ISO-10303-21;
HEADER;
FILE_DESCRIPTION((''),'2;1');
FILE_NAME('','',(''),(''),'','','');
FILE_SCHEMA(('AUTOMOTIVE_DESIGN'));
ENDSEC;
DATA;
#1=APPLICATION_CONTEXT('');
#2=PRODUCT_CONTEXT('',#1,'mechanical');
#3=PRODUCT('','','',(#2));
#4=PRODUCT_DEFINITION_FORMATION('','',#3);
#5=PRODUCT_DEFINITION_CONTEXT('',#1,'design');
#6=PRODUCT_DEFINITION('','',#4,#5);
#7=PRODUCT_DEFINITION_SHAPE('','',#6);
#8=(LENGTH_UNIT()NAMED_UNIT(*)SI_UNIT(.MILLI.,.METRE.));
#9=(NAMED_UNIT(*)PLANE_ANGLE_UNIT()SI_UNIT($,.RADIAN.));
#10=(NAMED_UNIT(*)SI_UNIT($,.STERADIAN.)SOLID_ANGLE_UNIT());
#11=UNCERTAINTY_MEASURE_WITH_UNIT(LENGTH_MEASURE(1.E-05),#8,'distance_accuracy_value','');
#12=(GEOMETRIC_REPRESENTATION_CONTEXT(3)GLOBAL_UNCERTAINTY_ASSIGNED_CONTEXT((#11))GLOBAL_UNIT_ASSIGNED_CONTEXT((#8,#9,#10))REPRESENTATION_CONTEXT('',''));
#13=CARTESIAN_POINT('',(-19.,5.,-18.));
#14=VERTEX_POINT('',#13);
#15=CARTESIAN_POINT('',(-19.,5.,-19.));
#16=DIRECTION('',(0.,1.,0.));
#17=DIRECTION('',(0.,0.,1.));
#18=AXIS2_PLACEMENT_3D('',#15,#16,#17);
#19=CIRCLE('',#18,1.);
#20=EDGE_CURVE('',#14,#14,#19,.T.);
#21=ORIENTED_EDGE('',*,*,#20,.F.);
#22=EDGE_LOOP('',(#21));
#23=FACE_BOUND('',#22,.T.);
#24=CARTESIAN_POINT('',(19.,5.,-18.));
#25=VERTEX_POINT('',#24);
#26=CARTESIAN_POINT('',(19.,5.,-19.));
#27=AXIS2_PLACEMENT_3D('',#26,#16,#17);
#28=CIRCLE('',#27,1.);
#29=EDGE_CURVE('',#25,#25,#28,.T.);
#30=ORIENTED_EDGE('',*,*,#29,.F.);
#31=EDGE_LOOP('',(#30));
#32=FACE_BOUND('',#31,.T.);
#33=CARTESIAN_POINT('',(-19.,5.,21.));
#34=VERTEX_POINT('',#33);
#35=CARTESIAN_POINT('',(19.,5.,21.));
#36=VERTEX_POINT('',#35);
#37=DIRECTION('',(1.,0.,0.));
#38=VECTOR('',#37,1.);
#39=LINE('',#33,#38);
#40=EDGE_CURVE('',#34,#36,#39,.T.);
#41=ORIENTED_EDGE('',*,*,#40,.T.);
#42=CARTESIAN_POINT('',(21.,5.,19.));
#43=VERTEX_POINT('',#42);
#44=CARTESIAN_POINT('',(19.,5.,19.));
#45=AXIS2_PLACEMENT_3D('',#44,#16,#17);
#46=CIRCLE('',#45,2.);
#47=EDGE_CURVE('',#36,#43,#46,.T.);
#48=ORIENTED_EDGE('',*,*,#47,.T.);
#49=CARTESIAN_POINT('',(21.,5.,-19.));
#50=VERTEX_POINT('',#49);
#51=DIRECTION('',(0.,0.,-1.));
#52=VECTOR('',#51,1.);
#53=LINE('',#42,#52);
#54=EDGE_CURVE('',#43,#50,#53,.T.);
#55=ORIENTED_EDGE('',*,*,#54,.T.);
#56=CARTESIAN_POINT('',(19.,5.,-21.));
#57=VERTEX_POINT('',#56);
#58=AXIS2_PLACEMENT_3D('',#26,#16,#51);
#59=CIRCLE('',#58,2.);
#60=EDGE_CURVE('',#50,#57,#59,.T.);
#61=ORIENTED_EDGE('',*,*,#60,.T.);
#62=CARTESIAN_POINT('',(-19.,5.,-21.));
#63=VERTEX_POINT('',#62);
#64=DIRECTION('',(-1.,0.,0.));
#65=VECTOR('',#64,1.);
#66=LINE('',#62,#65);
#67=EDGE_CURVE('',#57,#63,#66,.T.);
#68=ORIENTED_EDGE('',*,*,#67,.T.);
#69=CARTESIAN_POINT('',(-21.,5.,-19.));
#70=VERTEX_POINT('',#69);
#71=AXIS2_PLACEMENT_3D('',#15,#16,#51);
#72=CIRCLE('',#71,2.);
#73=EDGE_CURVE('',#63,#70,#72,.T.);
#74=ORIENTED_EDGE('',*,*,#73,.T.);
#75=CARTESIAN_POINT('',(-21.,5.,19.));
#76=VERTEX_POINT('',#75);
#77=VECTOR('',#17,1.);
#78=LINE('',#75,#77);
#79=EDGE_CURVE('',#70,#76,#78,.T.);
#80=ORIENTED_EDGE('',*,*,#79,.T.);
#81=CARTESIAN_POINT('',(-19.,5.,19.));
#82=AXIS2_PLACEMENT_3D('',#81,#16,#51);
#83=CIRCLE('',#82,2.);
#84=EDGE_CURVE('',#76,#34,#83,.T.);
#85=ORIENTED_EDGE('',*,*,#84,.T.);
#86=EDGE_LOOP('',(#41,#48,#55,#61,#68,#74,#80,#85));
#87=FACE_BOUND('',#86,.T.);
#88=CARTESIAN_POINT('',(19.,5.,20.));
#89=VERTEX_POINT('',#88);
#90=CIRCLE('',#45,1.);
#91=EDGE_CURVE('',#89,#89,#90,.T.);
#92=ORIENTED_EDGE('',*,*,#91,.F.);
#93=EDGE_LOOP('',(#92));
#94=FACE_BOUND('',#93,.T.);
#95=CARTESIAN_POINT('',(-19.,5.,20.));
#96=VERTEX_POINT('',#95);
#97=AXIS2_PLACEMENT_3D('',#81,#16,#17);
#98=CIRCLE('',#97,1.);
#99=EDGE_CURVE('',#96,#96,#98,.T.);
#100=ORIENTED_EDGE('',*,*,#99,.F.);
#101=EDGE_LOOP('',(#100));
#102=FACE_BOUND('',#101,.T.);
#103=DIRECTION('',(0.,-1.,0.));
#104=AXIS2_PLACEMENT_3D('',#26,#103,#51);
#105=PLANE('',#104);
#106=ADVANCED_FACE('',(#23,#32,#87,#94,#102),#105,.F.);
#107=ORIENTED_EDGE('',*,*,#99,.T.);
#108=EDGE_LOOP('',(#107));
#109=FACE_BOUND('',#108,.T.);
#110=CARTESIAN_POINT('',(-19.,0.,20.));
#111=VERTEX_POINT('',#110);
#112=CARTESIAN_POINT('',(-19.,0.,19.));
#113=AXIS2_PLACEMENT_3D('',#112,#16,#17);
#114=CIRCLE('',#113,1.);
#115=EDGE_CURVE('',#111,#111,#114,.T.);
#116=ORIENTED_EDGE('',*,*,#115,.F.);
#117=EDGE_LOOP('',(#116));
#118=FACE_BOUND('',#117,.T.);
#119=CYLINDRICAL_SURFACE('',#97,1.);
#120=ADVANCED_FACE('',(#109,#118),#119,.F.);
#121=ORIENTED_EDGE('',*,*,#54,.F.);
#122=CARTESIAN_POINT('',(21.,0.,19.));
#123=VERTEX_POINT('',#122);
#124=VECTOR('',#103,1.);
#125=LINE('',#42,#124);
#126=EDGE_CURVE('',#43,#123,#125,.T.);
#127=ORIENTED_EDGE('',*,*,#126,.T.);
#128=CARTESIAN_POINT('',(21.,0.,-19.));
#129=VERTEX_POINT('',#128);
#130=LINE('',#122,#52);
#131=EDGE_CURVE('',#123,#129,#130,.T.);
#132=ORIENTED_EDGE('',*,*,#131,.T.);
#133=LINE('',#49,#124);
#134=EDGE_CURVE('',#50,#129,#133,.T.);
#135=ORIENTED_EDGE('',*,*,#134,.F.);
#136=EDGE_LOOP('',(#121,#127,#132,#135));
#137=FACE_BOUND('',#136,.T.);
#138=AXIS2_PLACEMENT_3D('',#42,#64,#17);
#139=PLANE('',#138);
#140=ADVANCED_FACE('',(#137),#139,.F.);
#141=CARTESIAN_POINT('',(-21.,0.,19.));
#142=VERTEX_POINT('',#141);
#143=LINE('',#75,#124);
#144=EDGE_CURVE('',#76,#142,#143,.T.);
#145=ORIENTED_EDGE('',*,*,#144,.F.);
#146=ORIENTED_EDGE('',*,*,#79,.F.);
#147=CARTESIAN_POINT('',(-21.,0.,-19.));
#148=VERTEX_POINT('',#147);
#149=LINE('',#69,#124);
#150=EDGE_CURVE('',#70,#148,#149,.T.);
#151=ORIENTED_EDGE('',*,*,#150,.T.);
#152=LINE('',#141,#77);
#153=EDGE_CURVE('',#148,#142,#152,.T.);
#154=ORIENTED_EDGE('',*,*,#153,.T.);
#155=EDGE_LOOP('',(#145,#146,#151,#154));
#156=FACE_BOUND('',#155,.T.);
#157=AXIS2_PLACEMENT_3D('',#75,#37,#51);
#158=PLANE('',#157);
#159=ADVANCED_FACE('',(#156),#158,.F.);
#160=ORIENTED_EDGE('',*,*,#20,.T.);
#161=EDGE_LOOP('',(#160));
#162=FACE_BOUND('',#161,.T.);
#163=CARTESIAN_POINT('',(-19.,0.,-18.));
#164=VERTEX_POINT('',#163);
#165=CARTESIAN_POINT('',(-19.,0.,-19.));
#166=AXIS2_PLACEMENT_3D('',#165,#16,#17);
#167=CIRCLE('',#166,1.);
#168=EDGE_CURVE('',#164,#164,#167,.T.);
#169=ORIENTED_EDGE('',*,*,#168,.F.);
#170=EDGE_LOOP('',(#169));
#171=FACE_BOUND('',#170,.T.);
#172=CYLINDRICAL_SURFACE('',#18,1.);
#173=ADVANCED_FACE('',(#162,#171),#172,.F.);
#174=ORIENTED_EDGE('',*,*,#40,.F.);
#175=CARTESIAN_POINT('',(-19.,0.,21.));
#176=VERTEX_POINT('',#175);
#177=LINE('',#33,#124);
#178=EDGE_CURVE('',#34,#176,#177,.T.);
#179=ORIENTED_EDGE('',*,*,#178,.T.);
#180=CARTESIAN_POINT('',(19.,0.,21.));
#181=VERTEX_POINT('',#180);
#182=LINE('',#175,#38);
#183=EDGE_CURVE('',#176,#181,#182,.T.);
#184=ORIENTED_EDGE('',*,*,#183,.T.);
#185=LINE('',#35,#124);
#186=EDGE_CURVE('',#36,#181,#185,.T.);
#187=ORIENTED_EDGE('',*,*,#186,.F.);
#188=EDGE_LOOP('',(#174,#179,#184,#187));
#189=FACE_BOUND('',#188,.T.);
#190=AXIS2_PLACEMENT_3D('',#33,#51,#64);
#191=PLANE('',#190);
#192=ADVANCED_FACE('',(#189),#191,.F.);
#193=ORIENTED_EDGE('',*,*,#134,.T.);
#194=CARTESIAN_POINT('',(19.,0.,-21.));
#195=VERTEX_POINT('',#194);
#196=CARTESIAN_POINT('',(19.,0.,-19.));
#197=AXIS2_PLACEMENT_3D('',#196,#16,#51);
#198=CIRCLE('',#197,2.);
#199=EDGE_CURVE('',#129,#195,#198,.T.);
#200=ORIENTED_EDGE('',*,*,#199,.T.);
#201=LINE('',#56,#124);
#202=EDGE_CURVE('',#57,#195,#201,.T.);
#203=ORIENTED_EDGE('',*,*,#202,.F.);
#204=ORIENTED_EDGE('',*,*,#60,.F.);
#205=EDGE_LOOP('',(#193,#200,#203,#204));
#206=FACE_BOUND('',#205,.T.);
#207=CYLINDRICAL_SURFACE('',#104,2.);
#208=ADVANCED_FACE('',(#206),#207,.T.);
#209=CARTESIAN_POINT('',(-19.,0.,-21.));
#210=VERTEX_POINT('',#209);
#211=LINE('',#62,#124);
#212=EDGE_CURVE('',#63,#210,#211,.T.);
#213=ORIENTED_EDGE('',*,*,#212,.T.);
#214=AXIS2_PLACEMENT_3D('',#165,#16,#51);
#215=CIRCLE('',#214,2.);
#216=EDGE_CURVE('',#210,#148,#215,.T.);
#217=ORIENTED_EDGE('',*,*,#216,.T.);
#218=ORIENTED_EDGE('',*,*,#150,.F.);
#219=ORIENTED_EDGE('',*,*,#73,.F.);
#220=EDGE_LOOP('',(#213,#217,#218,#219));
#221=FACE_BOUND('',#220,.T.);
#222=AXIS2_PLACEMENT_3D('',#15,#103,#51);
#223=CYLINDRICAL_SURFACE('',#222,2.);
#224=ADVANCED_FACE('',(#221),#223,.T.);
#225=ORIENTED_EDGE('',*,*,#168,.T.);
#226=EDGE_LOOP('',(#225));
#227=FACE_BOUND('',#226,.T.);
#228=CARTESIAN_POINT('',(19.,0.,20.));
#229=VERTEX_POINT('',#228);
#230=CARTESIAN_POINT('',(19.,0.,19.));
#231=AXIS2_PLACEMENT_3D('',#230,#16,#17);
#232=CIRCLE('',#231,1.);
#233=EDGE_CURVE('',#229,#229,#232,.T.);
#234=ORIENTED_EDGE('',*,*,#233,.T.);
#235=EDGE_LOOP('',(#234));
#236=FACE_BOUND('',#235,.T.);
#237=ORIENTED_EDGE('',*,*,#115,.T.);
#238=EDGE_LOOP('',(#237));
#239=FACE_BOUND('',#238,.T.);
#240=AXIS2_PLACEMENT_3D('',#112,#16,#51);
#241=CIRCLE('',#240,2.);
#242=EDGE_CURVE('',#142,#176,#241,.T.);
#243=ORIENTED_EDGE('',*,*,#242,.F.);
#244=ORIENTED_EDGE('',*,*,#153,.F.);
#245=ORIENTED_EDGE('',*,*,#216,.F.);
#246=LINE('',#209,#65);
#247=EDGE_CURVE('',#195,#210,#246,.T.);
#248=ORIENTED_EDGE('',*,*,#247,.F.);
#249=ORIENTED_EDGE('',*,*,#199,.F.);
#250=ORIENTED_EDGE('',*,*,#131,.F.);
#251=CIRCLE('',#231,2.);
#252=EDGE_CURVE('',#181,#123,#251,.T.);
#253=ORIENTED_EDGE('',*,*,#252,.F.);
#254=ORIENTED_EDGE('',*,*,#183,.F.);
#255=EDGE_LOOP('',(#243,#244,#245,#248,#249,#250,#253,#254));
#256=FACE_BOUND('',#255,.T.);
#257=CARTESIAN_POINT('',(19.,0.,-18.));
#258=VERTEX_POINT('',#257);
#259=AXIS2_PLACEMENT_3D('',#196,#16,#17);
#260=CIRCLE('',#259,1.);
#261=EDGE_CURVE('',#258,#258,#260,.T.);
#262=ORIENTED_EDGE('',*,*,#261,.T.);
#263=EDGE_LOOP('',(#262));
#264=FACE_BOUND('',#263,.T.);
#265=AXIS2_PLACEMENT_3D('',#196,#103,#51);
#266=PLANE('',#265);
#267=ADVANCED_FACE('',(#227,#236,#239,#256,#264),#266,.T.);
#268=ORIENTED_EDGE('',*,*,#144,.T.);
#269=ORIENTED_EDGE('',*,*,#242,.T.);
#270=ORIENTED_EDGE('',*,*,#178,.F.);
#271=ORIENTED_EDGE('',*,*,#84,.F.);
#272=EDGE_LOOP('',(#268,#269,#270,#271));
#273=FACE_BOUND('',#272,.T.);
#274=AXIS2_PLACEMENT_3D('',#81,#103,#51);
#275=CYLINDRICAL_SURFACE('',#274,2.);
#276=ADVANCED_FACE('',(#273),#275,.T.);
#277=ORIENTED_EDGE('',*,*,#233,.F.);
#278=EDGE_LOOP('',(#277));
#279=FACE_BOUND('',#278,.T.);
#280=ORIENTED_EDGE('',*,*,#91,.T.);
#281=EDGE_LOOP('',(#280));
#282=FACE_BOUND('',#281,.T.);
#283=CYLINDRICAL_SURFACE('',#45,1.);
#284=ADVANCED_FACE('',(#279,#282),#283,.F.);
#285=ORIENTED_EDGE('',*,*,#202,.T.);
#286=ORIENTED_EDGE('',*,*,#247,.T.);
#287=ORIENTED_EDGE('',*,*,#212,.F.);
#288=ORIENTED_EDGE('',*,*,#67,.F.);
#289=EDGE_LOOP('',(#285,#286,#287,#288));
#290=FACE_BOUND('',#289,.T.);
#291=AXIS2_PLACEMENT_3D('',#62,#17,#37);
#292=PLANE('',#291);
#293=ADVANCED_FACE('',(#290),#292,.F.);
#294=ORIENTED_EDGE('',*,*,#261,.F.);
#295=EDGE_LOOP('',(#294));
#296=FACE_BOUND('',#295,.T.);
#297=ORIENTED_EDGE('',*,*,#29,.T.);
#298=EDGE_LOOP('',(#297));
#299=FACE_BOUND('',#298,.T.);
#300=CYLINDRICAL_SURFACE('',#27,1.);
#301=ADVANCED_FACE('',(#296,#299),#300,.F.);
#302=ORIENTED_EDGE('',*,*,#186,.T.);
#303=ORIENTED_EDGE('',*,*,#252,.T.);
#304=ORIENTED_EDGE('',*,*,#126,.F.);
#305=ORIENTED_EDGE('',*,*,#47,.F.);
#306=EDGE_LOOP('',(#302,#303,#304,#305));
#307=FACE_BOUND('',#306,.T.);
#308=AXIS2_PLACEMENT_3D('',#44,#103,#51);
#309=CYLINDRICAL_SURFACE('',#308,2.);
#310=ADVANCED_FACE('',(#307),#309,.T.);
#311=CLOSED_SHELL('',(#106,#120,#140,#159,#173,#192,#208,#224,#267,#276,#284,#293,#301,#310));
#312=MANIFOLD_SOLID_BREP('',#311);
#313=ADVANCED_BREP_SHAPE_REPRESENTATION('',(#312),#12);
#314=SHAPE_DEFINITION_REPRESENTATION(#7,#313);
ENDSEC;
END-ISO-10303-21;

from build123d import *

# Parameters (mm, degrees)
BOSS_EXTRUDE1_DEPTH   = 5
F_2_0MM_DOWEL_HOLE1_D = 2
MIRROR2_COPY_1_D      = 2


with BuildPart() as part:
    # Sketch1 → Boss-Extrude1 (new body)
    with BuildSketch(Plane(origin=(0, 0, 0), x_dir=(1, 0, 0), z_dir=(0, 1, 0))):
        with BuildLine():
            Line((-19, -21), (19, -21))
            ThreePointArc((19, -21), (20.414213562, -20.414213562), (21, -19))
            Line((21, -19), (21, 19))
            ThreePointArc((21, 19), (20.414213562, 20.414213562), (19, 21))
            Line((19, 21), (-19, 21))
            ThreePointArc((-19, 21), (-20.414213562, 20.414213562), (-21, 19))
            Line((-21, 19), (-21, -19))
            ThreePointArc((-21, -19), (-20.414213562, -20.414213562), (-19, -21))
        make_face()
    extrude(amount=BOSS_EXTRUDE1_DEPTH)

    # Ø2.0mm Dowel Hole1 (through all)
    with Locations(Plane(origin=(0, 5, 0), x_dir=(1, 0, 0), z_dir=(0, 1, 0))):
        with Locations((-19, 19)):
            f_2_0mm_dowel_hole1 = Hole(F_2_0MM_DOWEL_HOLE1_D / 2)

    # Mirror1: Ø2.0mm Dowel Hole1 across plane
    add(f_2_0mm_dowel_hole1.mirror(Plane(origin=(0, 0, 0), x_dir=(0, 0, 1), z_dir=(1, 0, 0))), mode=Mode.SUBTRACT)

    # Mirror2: Ø2.0mm Dowel Hole1 across plane
    add(f_2_0mm_dowel_hole1.mirror(Plane.XY), mode=Mode.SUBTRACT)

    # Mirror2 copy 1 (through all)
    with Locations(Plane(origin=(0, 5, 0), x_dir=(-1, 0, 0), z_dir=(0, 1, 0))):
        with Locations((-19, 19)):
            Hole(MIRROR2_COPY_1_D / 2)


solid = part.part
